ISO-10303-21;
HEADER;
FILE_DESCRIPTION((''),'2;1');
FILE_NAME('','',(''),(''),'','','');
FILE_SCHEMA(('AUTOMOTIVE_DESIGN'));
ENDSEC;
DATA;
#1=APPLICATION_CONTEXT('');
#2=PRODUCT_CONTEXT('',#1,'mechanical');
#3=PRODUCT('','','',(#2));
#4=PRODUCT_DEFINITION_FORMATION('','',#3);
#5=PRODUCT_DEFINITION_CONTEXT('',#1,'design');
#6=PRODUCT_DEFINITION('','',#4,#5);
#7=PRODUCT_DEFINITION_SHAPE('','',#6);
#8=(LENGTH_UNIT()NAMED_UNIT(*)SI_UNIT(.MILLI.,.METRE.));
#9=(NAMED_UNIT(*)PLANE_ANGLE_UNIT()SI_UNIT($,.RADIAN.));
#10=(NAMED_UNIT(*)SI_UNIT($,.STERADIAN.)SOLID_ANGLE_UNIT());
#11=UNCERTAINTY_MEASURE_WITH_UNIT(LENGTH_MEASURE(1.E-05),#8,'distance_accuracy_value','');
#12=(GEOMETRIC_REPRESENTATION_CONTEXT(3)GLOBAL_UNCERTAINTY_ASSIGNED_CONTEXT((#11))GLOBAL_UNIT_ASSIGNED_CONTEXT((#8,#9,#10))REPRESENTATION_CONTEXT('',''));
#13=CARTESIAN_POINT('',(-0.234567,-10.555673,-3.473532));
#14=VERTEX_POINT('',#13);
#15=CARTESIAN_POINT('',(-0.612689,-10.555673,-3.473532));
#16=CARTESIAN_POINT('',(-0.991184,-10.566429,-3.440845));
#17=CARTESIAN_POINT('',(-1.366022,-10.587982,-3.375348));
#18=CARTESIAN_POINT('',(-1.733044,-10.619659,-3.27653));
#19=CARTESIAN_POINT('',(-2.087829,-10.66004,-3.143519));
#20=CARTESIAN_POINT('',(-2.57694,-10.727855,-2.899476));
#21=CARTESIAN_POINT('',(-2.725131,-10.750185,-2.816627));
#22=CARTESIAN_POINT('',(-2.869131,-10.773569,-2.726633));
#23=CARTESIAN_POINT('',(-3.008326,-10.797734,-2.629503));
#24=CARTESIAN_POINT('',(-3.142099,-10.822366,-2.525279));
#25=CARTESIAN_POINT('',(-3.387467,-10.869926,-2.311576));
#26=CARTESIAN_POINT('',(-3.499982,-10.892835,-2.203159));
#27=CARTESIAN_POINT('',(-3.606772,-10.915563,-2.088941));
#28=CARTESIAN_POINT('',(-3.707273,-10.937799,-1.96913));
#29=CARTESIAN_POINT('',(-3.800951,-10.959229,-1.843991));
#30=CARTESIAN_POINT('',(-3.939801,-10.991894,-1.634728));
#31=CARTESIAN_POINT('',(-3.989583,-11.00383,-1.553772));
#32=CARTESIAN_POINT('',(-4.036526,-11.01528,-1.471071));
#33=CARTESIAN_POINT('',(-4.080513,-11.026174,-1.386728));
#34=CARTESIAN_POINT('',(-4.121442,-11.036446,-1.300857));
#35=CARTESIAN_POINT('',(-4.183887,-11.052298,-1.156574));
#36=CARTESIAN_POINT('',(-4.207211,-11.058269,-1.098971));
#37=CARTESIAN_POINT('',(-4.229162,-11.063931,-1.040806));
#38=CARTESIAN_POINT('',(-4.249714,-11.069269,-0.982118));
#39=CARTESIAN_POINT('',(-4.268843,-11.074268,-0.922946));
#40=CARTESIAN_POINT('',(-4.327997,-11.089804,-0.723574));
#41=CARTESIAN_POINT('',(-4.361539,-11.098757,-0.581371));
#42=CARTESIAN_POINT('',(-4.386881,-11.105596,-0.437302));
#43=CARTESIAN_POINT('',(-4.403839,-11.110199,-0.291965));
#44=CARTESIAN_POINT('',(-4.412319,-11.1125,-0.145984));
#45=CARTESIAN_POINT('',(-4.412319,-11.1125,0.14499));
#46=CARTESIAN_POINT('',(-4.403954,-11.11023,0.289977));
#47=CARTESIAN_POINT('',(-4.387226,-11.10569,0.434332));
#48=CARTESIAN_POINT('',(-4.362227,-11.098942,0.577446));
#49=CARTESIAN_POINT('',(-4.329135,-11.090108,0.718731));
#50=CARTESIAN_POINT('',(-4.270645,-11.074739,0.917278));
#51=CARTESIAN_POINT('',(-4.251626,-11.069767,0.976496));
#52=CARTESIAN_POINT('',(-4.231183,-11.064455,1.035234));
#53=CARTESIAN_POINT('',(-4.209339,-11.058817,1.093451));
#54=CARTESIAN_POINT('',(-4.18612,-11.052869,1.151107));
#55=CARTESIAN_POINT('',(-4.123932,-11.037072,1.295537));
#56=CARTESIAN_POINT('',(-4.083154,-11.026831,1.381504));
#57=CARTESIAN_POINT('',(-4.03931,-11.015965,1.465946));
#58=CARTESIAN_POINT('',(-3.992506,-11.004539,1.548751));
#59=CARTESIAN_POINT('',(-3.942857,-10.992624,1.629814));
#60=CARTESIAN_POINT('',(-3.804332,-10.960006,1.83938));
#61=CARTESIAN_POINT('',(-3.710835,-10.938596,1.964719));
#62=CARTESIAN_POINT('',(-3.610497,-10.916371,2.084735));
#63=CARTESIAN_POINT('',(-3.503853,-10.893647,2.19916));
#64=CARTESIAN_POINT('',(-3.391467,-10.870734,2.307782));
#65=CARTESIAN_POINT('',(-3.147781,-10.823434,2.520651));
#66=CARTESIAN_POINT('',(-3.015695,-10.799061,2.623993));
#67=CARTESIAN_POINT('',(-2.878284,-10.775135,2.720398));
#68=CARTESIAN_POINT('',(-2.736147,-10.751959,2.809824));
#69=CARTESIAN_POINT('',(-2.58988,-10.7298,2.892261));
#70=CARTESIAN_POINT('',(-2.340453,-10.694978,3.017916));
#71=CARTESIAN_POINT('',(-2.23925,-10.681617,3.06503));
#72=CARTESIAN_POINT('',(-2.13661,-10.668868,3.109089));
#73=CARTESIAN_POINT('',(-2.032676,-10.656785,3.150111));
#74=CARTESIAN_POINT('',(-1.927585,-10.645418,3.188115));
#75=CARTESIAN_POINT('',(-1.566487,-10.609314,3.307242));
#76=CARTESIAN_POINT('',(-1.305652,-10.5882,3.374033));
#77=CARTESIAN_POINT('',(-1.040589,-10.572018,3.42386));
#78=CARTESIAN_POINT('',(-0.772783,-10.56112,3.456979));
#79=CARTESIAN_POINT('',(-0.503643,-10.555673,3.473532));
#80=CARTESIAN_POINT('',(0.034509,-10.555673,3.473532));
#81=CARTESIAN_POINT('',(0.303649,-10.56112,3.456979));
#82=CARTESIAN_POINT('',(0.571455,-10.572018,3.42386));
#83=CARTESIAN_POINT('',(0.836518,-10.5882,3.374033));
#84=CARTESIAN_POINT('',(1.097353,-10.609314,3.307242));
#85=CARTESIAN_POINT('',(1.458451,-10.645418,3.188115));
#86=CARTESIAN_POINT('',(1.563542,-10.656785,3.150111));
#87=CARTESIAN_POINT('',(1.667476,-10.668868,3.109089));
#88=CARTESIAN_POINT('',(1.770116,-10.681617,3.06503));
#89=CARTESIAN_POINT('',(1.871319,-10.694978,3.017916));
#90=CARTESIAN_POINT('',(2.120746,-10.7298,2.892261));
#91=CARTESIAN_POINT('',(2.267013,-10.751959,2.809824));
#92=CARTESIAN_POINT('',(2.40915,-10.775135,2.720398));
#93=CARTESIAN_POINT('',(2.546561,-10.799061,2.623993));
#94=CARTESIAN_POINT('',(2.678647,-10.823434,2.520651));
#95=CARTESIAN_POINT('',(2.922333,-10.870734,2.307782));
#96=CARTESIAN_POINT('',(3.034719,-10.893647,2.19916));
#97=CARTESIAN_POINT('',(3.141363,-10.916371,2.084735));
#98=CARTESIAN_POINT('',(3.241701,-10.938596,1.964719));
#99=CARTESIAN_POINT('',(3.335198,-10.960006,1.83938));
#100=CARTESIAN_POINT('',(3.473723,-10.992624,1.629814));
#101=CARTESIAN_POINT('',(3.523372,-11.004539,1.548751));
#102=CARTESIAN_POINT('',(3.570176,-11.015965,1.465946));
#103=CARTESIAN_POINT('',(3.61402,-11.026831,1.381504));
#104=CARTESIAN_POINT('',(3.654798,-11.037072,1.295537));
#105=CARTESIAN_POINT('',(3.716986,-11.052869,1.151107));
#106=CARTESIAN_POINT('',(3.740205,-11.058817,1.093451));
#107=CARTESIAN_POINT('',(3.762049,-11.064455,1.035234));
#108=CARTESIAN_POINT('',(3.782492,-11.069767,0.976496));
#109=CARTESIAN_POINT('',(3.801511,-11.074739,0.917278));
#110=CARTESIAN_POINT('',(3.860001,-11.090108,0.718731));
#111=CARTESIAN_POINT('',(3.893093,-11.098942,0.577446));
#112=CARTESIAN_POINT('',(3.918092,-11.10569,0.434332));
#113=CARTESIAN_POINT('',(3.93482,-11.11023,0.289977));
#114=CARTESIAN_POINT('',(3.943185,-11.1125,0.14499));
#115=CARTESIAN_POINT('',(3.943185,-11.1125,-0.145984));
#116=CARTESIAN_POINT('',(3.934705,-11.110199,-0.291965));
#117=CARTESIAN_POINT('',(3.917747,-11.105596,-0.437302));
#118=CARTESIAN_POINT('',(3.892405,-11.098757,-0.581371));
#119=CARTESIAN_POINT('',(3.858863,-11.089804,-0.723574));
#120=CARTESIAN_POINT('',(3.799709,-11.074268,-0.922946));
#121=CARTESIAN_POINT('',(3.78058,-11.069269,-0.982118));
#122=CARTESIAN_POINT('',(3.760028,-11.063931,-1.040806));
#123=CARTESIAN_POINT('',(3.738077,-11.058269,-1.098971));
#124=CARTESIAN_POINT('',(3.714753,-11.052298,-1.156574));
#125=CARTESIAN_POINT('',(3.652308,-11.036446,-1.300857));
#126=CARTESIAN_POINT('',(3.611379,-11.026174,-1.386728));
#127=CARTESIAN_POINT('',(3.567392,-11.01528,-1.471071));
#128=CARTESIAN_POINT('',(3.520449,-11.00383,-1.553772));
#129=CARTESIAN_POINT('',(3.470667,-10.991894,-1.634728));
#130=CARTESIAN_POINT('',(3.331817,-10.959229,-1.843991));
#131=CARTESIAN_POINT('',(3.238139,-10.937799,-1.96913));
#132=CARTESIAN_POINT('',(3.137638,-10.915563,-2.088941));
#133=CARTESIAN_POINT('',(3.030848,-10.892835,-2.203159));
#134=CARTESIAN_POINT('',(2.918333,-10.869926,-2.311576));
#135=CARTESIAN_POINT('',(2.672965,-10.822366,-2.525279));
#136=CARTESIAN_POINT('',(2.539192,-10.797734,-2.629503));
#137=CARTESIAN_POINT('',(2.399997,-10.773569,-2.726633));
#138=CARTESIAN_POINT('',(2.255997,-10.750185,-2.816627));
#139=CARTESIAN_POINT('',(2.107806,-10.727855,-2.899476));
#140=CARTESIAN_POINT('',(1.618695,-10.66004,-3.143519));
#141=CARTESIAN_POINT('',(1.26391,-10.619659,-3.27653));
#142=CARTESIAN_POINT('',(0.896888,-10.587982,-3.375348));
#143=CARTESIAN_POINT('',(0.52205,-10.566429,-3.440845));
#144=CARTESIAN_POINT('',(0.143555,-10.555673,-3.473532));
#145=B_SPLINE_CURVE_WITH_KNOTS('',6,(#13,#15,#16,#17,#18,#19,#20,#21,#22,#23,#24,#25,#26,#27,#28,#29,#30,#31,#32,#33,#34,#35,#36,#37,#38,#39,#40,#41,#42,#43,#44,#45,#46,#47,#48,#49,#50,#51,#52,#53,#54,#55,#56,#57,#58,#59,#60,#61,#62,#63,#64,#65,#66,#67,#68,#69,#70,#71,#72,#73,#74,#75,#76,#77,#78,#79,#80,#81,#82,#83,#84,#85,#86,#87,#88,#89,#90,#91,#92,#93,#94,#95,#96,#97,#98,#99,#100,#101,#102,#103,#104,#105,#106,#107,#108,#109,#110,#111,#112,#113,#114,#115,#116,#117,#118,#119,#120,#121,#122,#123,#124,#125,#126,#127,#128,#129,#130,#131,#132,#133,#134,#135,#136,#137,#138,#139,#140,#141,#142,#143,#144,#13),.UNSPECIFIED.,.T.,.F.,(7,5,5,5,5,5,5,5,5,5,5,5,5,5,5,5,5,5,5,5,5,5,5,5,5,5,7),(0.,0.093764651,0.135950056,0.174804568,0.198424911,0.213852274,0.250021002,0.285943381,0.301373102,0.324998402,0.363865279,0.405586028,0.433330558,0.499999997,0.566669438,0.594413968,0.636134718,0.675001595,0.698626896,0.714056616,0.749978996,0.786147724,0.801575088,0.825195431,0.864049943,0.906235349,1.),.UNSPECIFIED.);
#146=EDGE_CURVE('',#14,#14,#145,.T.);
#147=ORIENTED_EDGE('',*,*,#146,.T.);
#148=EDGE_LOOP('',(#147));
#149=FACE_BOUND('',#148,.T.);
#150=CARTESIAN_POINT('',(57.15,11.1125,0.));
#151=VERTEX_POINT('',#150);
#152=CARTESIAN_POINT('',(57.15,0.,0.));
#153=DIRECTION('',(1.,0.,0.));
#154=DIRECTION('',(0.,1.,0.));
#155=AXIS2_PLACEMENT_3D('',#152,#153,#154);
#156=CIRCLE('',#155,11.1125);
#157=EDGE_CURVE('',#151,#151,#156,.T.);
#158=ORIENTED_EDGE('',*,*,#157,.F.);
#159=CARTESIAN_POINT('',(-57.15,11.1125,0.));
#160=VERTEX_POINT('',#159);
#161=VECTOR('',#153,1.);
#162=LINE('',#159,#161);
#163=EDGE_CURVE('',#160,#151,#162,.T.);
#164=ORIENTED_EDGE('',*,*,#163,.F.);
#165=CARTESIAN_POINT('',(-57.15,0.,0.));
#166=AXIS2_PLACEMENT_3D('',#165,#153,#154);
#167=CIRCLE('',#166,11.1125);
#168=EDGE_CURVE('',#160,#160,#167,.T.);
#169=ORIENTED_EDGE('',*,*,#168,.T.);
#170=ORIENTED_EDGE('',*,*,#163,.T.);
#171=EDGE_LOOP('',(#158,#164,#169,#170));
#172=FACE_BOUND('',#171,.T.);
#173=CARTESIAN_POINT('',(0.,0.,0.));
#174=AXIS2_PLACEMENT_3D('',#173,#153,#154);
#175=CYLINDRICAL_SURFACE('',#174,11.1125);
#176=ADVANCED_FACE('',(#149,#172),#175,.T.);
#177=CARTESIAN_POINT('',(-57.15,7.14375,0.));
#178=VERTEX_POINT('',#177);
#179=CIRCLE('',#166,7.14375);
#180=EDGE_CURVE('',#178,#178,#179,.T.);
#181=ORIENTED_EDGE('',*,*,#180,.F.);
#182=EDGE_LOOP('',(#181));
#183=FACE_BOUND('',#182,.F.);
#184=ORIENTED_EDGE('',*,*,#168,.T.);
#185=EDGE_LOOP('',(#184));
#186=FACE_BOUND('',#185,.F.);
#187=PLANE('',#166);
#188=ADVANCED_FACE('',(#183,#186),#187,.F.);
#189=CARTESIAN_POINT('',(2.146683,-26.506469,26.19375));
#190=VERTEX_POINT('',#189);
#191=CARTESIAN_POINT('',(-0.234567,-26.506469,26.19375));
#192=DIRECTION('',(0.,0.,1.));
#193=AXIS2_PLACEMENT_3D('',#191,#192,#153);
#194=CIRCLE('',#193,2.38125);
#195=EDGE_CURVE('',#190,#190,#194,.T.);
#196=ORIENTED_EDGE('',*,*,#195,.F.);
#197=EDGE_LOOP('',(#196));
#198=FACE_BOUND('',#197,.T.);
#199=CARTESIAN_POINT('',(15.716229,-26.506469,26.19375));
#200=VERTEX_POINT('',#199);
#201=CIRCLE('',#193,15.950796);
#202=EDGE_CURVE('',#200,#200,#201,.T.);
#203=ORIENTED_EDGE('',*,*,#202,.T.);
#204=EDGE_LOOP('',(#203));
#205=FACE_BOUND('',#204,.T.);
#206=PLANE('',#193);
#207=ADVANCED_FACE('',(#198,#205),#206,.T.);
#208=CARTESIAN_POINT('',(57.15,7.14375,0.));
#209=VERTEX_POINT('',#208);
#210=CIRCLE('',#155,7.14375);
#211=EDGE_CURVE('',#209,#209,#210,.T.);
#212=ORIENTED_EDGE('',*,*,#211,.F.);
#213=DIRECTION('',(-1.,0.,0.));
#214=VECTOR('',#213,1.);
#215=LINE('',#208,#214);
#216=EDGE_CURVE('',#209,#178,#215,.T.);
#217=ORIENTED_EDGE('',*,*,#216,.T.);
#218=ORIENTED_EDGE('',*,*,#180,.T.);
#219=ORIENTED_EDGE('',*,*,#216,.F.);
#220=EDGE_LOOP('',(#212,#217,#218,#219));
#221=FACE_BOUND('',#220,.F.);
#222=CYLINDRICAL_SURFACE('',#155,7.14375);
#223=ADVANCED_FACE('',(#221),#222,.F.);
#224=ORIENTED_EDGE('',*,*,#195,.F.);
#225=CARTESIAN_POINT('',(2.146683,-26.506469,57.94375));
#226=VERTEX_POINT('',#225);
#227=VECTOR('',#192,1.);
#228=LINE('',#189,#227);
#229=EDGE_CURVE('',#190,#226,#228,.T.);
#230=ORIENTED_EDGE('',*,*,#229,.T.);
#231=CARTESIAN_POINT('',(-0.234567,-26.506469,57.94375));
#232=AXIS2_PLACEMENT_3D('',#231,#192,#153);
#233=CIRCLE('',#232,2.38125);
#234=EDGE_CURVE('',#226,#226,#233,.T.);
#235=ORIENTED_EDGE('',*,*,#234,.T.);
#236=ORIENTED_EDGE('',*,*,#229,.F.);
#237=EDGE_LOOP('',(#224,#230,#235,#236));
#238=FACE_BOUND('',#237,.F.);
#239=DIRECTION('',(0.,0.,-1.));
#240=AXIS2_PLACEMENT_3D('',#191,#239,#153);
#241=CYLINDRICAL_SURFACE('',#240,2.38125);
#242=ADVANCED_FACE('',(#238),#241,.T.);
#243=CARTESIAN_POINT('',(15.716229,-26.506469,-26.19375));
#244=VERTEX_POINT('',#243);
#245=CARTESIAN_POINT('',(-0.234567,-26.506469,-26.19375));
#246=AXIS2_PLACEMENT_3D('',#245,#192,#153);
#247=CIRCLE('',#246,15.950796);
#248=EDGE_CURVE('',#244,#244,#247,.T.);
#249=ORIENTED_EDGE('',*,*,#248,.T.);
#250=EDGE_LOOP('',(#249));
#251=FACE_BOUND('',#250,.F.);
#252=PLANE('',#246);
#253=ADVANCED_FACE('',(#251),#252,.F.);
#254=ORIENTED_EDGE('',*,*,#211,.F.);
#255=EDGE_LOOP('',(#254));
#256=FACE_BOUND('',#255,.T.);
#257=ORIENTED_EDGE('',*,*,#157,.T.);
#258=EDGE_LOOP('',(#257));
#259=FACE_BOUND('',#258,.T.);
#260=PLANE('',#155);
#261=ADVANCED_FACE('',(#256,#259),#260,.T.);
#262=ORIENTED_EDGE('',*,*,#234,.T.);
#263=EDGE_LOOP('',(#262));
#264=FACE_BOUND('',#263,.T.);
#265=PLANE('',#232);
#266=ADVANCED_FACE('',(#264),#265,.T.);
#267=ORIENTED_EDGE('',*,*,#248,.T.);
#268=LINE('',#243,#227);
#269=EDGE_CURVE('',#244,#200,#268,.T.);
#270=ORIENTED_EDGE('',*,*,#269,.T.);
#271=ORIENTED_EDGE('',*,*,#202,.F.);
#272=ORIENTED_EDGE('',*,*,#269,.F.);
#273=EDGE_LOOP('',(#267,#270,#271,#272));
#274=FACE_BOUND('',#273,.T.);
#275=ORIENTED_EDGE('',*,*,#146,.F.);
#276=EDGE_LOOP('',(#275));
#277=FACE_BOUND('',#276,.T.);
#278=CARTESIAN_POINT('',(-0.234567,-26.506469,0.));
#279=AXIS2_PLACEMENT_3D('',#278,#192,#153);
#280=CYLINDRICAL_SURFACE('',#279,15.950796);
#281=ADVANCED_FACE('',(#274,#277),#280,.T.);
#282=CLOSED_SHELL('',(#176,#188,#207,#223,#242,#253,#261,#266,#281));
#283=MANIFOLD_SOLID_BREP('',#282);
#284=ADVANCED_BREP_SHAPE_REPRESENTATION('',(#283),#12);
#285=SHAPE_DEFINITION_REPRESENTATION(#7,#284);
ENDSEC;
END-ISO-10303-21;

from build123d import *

# Parameters (mm, degrees)
F0_R     = 11.1125
F1_DEPTH = 57.15
F3_R     = 7.14375
F4_DEPTH = 114.3
F5_R     = 15.950796
F6_DEPTH = 26.19375
F7_R     = 2.38125
F8_DEPTH = 31.75


with BuildPart() as f1:
    # F0 (on Right) → F1 (new body, symmetric)
    with BuildSketch(Plane.YZ):
        Circle(F0_R)
    extrude(amount=F1_DEPTH, both=True)

    # F3 (on face) → F4 (cut)
    with BuildSketch(Plane.YZ.offset(57.15)):
        Circle(F3_R)
    extrude(amount=-F4_DEPTH, mode=Mode.SUBTRACT)

    # F5 (on Top) → F6 (join, symmetric)
    with BuildSketch(Plane.XY):
        with Locations((-0.234567, -26.506469)):
            Circle(F5_R)
    extrude(amount=F6_DEPTH, both=True)

    # F7 (on face) → F8 (join)
    with BuildSketch(Plane.XY.offset(26.19375)):
        with Locations((-0.234567, -26.506469)):
            Circle(F7_R)
    extrude(amount=F8_DEPTH)


solid = f1.part
